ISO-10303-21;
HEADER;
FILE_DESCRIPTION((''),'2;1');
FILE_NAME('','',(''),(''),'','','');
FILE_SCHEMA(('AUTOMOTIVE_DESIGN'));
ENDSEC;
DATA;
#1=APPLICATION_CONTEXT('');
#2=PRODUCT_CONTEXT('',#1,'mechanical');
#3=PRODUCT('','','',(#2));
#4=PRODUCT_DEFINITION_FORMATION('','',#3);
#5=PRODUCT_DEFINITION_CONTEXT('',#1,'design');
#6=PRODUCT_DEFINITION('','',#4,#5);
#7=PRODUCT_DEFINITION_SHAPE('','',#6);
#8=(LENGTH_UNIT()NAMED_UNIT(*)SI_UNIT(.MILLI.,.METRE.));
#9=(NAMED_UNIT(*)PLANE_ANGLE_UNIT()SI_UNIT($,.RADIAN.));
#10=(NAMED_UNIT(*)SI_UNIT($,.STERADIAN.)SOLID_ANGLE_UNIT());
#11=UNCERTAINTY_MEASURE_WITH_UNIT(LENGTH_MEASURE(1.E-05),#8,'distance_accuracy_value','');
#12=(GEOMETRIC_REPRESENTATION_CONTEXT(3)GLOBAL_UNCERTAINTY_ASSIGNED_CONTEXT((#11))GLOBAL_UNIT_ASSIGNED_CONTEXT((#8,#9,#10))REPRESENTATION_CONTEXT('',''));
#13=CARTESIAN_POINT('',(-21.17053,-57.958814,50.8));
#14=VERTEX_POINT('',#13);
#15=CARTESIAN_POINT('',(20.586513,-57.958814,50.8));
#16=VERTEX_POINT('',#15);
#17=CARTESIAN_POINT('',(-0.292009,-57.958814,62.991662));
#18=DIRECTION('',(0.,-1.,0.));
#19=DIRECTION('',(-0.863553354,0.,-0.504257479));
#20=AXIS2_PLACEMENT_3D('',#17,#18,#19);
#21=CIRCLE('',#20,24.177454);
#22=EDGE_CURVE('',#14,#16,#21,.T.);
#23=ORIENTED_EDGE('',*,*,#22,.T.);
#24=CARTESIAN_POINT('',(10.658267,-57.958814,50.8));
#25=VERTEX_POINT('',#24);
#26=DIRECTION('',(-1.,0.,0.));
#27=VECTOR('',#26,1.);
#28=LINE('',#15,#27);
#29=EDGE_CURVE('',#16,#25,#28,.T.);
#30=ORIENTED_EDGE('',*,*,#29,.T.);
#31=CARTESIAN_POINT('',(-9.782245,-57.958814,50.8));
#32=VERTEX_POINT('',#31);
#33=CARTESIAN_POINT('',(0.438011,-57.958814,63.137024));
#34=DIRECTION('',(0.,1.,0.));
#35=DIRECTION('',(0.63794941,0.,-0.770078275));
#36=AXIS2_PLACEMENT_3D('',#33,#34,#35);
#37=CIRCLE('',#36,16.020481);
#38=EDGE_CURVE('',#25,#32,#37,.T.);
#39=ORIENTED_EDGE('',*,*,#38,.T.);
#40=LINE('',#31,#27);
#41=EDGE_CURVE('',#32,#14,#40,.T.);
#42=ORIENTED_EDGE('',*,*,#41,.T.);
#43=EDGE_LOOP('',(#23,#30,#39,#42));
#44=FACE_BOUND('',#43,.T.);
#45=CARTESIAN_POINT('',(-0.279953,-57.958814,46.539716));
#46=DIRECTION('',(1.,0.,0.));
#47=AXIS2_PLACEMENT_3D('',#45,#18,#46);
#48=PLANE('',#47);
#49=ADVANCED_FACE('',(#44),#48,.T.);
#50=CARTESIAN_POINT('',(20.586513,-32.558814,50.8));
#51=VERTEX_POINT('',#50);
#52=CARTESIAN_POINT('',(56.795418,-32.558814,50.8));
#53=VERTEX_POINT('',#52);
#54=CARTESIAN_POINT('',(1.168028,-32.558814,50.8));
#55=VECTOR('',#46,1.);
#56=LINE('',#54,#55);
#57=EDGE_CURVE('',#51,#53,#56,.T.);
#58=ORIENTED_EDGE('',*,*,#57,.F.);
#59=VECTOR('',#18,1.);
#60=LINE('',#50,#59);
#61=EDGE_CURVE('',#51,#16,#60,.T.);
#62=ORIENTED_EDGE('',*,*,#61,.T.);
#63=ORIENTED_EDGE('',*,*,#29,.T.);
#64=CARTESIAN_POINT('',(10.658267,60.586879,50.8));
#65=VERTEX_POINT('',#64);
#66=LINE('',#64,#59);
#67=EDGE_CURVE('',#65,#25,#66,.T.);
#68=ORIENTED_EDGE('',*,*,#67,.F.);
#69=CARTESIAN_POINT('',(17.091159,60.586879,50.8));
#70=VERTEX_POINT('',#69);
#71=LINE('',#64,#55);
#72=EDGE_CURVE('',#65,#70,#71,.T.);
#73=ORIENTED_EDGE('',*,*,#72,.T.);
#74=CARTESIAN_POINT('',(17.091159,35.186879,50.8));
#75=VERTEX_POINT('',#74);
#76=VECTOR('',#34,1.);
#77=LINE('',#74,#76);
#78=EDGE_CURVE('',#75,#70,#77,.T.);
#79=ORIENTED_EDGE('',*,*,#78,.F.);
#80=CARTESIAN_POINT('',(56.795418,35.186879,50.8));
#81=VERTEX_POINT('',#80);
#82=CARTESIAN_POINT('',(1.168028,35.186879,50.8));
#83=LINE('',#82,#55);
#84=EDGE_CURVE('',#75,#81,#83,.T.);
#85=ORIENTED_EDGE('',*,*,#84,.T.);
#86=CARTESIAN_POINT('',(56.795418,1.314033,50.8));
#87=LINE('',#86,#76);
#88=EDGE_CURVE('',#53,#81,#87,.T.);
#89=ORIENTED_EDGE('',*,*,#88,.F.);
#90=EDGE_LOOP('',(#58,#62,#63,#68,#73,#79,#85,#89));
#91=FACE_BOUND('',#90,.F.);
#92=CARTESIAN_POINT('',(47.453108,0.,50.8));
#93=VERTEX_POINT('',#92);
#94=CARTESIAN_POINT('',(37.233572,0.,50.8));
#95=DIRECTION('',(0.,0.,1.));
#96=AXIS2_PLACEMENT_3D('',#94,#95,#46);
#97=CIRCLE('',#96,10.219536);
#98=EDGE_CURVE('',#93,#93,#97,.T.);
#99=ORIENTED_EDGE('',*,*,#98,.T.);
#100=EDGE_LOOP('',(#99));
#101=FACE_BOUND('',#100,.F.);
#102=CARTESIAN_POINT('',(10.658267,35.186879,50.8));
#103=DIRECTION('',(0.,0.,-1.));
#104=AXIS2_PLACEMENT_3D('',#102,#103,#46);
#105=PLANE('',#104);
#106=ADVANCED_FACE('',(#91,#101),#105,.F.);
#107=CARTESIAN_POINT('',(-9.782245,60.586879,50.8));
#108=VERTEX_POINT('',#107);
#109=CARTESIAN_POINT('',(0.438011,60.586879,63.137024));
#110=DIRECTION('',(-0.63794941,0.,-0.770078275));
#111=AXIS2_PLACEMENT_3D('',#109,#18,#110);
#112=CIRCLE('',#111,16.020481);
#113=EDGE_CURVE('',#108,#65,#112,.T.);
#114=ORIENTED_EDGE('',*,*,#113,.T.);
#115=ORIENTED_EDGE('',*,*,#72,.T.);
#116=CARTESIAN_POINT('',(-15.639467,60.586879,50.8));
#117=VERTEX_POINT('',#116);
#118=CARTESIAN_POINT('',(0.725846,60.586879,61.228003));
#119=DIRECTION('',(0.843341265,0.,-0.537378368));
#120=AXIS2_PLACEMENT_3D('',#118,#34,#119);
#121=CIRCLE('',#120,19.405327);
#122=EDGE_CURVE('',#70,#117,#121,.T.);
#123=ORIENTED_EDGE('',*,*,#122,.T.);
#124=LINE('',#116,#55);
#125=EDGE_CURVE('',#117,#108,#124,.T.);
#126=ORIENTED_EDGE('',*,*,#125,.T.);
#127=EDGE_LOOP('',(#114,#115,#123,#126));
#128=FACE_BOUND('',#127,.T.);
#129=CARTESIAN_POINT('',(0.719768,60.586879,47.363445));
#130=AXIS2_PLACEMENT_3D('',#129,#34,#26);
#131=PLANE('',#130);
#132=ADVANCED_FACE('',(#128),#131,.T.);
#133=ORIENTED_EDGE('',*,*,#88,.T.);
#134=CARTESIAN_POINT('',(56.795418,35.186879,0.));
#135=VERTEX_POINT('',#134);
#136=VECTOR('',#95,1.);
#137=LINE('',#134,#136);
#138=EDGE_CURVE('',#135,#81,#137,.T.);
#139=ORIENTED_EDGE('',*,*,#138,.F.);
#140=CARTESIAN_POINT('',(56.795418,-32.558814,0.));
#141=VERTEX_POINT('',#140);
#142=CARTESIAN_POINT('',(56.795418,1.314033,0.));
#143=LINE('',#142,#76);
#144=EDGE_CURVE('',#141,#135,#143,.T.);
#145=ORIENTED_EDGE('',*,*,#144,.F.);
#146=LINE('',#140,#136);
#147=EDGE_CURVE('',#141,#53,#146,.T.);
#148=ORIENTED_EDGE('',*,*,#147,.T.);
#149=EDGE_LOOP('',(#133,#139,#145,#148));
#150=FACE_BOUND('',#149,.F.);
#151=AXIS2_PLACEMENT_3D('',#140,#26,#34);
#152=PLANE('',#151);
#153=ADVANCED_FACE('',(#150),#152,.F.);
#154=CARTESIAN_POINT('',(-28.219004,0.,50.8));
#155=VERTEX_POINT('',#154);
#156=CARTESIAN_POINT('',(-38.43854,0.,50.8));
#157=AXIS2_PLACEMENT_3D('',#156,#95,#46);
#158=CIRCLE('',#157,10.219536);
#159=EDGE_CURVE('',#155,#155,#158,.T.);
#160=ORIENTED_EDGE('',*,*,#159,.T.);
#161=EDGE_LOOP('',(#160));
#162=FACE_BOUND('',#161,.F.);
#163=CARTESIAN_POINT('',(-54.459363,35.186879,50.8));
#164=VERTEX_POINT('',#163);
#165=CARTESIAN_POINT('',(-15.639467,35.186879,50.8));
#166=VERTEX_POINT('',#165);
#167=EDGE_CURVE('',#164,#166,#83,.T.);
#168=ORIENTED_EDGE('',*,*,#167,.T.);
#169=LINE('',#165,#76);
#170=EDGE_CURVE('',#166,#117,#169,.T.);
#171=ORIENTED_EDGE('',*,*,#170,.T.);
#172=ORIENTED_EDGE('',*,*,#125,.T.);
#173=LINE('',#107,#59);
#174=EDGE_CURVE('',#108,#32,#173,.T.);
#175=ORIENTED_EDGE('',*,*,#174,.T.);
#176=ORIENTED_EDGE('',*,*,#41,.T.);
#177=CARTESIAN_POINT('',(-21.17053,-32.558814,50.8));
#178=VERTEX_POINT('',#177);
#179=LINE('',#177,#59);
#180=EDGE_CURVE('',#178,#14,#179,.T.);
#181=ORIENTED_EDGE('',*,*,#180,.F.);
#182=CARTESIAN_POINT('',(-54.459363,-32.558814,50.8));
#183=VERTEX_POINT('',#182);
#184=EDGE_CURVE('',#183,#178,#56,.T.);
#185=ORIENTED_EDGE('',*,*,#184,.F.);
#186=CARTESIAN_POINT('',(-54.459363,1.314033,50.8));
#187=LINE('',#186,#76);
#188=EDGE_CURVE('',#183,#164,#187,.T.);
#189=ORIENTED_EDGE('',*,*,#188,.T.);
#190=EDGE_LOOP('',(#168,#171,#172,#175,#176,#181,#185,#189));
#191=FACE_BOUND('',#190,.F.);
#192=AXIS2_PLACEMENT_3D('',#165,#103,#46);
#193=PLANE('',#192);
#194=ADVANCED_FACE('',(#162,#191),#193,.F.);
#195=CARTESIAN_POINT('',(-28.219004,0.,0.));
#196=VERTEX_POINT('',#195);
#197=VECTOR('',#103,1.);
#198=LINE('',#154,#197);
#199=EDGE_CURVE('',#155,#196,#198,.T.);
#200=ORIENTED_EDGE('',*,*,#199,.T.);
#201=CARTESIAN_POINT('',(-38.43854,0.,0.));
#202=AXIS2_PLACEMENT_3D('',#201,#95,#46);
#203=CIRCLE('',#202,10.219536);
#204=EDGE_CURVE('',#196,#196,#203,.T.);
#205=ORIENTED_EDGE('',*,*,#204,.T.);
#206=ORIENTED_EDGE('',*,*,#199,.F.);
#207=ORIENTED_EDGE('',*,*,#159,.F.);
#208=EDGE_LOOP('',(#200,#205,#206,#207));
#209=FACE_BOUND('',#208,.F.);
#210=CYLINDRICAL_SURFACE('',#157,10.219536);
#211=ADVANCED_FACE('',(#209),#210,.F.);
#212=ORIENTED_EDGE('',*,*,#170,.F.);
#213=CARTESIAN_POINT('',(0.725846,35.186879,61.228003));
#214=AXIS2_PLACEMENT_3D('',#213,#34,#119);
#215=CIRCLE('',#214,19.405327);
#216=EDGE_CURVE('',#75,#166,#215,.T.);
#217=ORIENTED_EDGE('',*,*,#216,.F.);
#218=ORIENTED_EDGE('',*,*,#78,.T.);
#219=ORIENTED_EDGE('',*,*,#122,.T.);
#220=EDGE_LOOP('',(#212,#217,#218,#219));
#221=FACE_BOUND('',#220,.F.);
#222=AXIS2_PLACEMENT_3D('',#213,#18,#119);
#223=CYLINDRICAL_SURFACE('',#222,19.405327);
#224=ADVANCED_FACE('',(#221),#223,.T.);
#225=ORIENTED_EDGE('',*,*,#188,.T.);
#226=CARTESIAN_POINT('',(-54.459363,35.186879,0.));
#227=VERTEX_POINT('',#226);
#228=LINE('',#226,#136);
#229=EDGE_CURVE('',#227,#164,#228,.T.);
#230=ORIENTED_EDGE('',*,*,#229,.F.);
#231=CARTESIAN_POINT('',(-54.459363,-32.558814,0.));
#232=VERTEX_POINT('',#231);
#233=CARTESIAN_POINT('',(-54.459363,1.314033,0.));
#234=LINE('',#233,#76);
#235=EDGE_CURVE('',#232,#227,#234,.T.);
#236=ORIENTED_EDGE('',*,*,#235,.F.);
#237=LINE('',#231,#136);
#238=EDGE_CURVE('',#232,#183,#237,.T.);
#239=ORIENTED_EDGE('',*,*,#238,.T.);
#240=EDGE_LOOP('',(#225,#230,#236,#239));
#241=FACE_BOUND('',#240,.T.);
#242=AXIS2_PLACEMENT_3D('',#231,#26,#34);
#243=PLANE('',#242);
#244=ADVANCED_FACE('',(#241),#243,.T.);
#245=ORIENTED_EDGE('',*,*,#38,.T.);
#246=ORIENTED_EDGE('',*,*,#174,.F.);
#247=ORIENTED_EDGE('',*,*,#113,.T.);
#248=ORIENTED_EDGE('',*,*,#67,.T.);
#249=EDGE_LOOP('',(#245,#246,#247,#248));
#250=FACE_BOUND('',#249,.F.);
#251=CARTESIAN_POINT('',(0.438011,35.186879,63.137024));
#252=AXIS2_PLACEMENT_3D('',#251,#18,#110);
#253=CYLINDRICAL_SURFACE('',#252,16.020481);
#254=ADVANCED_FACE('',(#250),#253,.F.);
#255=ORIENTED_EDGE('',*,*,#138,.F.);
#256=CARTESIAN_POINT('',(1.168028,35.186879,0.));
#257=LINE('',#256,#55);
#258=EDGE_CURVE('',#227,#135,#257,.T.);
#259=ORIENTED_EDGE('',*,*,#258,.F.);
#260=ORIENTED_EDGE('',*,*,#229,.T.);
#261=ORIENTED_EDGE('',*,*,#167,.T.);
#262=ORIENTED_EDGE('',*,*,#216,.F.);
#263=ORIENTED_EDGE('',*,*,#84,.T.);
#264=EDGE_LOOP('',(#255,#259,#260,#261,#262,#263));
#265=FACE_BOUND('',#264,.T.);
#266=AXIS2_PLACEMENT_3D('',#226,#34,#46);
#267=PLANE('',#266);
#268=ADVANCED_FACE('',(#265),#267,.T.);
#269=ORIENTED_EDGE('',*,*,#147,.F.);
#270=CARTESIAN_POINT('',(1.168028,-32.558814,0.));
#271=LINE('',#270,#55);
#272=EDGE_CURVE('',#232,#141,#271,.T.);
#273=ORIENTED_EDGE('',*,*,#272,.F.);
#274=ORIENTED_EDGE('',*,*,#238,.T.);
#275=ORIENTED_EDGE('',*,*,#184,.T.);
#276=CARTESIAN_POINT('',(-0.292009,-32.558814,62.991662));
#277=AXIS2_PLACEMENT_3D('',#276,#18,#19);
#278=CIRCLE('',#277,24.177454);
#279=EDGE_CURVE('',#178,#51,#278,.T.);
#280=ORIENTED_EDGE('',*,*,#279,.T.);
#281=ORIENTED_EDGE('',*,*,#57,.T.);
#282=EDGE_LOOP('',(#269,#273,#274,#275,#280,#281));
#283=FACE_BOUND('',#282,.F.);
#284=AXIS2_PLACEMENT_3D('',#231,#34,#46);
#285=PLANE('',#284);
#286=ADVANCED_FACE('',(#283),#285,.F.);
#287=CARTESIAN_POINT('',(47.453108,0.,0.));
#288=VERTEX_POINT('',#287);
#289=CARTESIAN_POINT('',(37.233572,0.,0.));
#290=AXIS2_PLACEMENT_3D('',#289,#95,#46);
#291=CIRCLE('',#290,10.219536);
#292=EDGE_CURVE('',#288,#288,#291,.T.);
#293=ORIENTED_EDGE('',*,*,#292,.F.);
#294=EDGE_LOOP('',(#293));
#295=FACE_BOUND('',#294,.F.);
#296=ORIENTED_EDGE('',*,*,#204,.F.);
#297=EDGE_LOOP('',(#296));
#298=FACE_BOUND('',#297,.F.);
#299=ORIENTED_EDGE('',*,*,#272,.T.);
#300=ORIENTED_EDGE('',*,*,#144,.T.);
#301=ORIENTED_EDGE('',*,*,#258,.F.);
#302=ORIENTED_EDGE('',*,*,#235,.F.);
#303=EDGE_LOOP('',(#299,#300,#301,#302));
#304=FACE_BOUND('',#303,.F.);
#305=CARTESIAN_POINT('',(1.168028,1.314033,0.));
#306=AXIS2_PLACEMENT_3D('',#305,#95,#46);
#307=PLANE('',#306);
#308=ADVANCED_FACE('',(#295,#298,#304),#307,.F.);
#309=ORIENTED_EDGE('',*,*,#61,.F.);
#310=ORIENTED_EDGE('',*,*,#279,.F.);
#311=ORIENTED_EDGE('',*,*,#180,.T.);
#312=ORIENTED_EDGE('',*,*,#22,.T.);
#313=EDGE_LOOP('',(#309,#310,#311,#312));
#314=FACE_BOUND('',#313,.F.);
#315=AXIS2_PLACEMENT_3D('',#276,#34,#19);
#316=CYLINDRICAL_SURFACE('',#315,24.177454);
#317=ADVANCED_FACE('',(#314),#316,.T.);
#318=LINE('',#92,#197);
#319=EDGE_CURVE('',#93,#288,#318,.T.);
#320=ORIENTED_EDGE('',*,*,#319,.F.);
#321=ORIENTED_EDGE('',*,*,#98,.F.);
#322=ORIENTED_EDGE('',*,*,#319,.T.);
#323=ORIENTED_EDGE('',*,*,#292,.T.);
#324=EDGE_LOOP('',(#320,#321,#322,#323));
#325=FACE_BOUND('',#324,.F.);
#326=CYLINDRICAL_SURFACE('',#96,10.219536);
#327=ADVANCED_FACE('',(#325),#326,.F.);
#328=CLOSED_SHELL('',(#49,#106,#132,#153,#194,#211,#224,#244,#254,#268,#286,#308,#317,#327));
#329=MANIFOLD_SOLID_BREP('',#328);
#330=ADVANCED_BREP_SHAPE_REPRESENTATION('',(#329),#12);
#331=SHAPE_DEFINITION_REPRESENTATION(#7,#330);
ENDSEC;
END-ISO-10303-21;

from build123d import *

# Parameters (mm, degrees)
F0_W     = 111.2547814846
F0_H     = 67.745693028
F1_DEPTH = 50.8
F3_DEPTH = 127
F4_DEPTH = 25.4
F6_DEPTH = 25.4
F7_R     = 10.2195358779
F8_DEPTH = 127


with BuildPart() as f1:
    # F0 (on Top) → F1 (new body)
    with BuildSketch(Plane.XY):
        with Locations((1.1680275202, 1.3140328228)):
            Rectangle(F0_W, F0_H)
    extrude(amount=F1_DEPTH)

    # F2 (on face) → F3 (cut)
    with BuildSketch(Plane.XZ.offset(32.5588136911)):
        with BuildLine():
            Line((10.6582669541, 50.8), (-9.7822453827, 50.8))
            ThreePointArc((-9.7822453827, 50.8), (0.4380107857, 47.116543464), (10.6582669541, 50.8))
        make_face()
    extrude(amount=-F3_DEPTH, mode=Mode.SUBTRACT)

    # F2 (on face) → F4 (join)
    with BuildSketch(Plane.XZ.offset(32.5588136911)):
        with BuildLine():
            ThreePointArc((10.6582669541, 50.8), (0.4380107857, 47.116543464), (-9.7822453827, 50.8))
            Line((-9.7822453827, 50.8), (-21.1705304682, 50.8))
            ThreePointArc((-21.1705304682, 50.8), (-0.2920087427, 38.8142078712), (20.5865129828, 50.8))
            Line((20.5865129828, 50.8), (10.6582669541, 50.8))
        make_face()
    extrude(amount=F4_DEPTH)

    # F5 (on face) → F6 (join)
    with BuildSketch(Plane(origin=(0, 35.1868793368, 0), x_dir=(-1, 0, 0), z_dir=(0, 1, 0))):
        with BuildLine():
            Line((-10.6582669541, 50.8), (-17.0911587775, 50.8))
            ThreePointArc((-17.0911587775, 50.8), (-0.7258458063, 41.8226759797), (15.6394671649, 50.8))
            Line((15.6394671649, 50.8), (9.7822453827, 50.8))
            ThreePointArc((9.7822453827, 50.8), (-0.4380107857, 47.116543464), (-10.6582669541, 50.8))
        make_face()
    extrude(amount=F6_DEPTH)

    # F7 (on face) → F8 (cut)
    with BuildSketch(Plane.XY.offset(50.8)):
        with Locations((-38.438539952, 0)):
            Circle(F7_R)
        with Locations((37.2335724533, 0)):
            Circle(F7_R)
    extrude(amount=-F8_DEPTH, mode=Mode.SUBTRACT)


solid = f1.part
